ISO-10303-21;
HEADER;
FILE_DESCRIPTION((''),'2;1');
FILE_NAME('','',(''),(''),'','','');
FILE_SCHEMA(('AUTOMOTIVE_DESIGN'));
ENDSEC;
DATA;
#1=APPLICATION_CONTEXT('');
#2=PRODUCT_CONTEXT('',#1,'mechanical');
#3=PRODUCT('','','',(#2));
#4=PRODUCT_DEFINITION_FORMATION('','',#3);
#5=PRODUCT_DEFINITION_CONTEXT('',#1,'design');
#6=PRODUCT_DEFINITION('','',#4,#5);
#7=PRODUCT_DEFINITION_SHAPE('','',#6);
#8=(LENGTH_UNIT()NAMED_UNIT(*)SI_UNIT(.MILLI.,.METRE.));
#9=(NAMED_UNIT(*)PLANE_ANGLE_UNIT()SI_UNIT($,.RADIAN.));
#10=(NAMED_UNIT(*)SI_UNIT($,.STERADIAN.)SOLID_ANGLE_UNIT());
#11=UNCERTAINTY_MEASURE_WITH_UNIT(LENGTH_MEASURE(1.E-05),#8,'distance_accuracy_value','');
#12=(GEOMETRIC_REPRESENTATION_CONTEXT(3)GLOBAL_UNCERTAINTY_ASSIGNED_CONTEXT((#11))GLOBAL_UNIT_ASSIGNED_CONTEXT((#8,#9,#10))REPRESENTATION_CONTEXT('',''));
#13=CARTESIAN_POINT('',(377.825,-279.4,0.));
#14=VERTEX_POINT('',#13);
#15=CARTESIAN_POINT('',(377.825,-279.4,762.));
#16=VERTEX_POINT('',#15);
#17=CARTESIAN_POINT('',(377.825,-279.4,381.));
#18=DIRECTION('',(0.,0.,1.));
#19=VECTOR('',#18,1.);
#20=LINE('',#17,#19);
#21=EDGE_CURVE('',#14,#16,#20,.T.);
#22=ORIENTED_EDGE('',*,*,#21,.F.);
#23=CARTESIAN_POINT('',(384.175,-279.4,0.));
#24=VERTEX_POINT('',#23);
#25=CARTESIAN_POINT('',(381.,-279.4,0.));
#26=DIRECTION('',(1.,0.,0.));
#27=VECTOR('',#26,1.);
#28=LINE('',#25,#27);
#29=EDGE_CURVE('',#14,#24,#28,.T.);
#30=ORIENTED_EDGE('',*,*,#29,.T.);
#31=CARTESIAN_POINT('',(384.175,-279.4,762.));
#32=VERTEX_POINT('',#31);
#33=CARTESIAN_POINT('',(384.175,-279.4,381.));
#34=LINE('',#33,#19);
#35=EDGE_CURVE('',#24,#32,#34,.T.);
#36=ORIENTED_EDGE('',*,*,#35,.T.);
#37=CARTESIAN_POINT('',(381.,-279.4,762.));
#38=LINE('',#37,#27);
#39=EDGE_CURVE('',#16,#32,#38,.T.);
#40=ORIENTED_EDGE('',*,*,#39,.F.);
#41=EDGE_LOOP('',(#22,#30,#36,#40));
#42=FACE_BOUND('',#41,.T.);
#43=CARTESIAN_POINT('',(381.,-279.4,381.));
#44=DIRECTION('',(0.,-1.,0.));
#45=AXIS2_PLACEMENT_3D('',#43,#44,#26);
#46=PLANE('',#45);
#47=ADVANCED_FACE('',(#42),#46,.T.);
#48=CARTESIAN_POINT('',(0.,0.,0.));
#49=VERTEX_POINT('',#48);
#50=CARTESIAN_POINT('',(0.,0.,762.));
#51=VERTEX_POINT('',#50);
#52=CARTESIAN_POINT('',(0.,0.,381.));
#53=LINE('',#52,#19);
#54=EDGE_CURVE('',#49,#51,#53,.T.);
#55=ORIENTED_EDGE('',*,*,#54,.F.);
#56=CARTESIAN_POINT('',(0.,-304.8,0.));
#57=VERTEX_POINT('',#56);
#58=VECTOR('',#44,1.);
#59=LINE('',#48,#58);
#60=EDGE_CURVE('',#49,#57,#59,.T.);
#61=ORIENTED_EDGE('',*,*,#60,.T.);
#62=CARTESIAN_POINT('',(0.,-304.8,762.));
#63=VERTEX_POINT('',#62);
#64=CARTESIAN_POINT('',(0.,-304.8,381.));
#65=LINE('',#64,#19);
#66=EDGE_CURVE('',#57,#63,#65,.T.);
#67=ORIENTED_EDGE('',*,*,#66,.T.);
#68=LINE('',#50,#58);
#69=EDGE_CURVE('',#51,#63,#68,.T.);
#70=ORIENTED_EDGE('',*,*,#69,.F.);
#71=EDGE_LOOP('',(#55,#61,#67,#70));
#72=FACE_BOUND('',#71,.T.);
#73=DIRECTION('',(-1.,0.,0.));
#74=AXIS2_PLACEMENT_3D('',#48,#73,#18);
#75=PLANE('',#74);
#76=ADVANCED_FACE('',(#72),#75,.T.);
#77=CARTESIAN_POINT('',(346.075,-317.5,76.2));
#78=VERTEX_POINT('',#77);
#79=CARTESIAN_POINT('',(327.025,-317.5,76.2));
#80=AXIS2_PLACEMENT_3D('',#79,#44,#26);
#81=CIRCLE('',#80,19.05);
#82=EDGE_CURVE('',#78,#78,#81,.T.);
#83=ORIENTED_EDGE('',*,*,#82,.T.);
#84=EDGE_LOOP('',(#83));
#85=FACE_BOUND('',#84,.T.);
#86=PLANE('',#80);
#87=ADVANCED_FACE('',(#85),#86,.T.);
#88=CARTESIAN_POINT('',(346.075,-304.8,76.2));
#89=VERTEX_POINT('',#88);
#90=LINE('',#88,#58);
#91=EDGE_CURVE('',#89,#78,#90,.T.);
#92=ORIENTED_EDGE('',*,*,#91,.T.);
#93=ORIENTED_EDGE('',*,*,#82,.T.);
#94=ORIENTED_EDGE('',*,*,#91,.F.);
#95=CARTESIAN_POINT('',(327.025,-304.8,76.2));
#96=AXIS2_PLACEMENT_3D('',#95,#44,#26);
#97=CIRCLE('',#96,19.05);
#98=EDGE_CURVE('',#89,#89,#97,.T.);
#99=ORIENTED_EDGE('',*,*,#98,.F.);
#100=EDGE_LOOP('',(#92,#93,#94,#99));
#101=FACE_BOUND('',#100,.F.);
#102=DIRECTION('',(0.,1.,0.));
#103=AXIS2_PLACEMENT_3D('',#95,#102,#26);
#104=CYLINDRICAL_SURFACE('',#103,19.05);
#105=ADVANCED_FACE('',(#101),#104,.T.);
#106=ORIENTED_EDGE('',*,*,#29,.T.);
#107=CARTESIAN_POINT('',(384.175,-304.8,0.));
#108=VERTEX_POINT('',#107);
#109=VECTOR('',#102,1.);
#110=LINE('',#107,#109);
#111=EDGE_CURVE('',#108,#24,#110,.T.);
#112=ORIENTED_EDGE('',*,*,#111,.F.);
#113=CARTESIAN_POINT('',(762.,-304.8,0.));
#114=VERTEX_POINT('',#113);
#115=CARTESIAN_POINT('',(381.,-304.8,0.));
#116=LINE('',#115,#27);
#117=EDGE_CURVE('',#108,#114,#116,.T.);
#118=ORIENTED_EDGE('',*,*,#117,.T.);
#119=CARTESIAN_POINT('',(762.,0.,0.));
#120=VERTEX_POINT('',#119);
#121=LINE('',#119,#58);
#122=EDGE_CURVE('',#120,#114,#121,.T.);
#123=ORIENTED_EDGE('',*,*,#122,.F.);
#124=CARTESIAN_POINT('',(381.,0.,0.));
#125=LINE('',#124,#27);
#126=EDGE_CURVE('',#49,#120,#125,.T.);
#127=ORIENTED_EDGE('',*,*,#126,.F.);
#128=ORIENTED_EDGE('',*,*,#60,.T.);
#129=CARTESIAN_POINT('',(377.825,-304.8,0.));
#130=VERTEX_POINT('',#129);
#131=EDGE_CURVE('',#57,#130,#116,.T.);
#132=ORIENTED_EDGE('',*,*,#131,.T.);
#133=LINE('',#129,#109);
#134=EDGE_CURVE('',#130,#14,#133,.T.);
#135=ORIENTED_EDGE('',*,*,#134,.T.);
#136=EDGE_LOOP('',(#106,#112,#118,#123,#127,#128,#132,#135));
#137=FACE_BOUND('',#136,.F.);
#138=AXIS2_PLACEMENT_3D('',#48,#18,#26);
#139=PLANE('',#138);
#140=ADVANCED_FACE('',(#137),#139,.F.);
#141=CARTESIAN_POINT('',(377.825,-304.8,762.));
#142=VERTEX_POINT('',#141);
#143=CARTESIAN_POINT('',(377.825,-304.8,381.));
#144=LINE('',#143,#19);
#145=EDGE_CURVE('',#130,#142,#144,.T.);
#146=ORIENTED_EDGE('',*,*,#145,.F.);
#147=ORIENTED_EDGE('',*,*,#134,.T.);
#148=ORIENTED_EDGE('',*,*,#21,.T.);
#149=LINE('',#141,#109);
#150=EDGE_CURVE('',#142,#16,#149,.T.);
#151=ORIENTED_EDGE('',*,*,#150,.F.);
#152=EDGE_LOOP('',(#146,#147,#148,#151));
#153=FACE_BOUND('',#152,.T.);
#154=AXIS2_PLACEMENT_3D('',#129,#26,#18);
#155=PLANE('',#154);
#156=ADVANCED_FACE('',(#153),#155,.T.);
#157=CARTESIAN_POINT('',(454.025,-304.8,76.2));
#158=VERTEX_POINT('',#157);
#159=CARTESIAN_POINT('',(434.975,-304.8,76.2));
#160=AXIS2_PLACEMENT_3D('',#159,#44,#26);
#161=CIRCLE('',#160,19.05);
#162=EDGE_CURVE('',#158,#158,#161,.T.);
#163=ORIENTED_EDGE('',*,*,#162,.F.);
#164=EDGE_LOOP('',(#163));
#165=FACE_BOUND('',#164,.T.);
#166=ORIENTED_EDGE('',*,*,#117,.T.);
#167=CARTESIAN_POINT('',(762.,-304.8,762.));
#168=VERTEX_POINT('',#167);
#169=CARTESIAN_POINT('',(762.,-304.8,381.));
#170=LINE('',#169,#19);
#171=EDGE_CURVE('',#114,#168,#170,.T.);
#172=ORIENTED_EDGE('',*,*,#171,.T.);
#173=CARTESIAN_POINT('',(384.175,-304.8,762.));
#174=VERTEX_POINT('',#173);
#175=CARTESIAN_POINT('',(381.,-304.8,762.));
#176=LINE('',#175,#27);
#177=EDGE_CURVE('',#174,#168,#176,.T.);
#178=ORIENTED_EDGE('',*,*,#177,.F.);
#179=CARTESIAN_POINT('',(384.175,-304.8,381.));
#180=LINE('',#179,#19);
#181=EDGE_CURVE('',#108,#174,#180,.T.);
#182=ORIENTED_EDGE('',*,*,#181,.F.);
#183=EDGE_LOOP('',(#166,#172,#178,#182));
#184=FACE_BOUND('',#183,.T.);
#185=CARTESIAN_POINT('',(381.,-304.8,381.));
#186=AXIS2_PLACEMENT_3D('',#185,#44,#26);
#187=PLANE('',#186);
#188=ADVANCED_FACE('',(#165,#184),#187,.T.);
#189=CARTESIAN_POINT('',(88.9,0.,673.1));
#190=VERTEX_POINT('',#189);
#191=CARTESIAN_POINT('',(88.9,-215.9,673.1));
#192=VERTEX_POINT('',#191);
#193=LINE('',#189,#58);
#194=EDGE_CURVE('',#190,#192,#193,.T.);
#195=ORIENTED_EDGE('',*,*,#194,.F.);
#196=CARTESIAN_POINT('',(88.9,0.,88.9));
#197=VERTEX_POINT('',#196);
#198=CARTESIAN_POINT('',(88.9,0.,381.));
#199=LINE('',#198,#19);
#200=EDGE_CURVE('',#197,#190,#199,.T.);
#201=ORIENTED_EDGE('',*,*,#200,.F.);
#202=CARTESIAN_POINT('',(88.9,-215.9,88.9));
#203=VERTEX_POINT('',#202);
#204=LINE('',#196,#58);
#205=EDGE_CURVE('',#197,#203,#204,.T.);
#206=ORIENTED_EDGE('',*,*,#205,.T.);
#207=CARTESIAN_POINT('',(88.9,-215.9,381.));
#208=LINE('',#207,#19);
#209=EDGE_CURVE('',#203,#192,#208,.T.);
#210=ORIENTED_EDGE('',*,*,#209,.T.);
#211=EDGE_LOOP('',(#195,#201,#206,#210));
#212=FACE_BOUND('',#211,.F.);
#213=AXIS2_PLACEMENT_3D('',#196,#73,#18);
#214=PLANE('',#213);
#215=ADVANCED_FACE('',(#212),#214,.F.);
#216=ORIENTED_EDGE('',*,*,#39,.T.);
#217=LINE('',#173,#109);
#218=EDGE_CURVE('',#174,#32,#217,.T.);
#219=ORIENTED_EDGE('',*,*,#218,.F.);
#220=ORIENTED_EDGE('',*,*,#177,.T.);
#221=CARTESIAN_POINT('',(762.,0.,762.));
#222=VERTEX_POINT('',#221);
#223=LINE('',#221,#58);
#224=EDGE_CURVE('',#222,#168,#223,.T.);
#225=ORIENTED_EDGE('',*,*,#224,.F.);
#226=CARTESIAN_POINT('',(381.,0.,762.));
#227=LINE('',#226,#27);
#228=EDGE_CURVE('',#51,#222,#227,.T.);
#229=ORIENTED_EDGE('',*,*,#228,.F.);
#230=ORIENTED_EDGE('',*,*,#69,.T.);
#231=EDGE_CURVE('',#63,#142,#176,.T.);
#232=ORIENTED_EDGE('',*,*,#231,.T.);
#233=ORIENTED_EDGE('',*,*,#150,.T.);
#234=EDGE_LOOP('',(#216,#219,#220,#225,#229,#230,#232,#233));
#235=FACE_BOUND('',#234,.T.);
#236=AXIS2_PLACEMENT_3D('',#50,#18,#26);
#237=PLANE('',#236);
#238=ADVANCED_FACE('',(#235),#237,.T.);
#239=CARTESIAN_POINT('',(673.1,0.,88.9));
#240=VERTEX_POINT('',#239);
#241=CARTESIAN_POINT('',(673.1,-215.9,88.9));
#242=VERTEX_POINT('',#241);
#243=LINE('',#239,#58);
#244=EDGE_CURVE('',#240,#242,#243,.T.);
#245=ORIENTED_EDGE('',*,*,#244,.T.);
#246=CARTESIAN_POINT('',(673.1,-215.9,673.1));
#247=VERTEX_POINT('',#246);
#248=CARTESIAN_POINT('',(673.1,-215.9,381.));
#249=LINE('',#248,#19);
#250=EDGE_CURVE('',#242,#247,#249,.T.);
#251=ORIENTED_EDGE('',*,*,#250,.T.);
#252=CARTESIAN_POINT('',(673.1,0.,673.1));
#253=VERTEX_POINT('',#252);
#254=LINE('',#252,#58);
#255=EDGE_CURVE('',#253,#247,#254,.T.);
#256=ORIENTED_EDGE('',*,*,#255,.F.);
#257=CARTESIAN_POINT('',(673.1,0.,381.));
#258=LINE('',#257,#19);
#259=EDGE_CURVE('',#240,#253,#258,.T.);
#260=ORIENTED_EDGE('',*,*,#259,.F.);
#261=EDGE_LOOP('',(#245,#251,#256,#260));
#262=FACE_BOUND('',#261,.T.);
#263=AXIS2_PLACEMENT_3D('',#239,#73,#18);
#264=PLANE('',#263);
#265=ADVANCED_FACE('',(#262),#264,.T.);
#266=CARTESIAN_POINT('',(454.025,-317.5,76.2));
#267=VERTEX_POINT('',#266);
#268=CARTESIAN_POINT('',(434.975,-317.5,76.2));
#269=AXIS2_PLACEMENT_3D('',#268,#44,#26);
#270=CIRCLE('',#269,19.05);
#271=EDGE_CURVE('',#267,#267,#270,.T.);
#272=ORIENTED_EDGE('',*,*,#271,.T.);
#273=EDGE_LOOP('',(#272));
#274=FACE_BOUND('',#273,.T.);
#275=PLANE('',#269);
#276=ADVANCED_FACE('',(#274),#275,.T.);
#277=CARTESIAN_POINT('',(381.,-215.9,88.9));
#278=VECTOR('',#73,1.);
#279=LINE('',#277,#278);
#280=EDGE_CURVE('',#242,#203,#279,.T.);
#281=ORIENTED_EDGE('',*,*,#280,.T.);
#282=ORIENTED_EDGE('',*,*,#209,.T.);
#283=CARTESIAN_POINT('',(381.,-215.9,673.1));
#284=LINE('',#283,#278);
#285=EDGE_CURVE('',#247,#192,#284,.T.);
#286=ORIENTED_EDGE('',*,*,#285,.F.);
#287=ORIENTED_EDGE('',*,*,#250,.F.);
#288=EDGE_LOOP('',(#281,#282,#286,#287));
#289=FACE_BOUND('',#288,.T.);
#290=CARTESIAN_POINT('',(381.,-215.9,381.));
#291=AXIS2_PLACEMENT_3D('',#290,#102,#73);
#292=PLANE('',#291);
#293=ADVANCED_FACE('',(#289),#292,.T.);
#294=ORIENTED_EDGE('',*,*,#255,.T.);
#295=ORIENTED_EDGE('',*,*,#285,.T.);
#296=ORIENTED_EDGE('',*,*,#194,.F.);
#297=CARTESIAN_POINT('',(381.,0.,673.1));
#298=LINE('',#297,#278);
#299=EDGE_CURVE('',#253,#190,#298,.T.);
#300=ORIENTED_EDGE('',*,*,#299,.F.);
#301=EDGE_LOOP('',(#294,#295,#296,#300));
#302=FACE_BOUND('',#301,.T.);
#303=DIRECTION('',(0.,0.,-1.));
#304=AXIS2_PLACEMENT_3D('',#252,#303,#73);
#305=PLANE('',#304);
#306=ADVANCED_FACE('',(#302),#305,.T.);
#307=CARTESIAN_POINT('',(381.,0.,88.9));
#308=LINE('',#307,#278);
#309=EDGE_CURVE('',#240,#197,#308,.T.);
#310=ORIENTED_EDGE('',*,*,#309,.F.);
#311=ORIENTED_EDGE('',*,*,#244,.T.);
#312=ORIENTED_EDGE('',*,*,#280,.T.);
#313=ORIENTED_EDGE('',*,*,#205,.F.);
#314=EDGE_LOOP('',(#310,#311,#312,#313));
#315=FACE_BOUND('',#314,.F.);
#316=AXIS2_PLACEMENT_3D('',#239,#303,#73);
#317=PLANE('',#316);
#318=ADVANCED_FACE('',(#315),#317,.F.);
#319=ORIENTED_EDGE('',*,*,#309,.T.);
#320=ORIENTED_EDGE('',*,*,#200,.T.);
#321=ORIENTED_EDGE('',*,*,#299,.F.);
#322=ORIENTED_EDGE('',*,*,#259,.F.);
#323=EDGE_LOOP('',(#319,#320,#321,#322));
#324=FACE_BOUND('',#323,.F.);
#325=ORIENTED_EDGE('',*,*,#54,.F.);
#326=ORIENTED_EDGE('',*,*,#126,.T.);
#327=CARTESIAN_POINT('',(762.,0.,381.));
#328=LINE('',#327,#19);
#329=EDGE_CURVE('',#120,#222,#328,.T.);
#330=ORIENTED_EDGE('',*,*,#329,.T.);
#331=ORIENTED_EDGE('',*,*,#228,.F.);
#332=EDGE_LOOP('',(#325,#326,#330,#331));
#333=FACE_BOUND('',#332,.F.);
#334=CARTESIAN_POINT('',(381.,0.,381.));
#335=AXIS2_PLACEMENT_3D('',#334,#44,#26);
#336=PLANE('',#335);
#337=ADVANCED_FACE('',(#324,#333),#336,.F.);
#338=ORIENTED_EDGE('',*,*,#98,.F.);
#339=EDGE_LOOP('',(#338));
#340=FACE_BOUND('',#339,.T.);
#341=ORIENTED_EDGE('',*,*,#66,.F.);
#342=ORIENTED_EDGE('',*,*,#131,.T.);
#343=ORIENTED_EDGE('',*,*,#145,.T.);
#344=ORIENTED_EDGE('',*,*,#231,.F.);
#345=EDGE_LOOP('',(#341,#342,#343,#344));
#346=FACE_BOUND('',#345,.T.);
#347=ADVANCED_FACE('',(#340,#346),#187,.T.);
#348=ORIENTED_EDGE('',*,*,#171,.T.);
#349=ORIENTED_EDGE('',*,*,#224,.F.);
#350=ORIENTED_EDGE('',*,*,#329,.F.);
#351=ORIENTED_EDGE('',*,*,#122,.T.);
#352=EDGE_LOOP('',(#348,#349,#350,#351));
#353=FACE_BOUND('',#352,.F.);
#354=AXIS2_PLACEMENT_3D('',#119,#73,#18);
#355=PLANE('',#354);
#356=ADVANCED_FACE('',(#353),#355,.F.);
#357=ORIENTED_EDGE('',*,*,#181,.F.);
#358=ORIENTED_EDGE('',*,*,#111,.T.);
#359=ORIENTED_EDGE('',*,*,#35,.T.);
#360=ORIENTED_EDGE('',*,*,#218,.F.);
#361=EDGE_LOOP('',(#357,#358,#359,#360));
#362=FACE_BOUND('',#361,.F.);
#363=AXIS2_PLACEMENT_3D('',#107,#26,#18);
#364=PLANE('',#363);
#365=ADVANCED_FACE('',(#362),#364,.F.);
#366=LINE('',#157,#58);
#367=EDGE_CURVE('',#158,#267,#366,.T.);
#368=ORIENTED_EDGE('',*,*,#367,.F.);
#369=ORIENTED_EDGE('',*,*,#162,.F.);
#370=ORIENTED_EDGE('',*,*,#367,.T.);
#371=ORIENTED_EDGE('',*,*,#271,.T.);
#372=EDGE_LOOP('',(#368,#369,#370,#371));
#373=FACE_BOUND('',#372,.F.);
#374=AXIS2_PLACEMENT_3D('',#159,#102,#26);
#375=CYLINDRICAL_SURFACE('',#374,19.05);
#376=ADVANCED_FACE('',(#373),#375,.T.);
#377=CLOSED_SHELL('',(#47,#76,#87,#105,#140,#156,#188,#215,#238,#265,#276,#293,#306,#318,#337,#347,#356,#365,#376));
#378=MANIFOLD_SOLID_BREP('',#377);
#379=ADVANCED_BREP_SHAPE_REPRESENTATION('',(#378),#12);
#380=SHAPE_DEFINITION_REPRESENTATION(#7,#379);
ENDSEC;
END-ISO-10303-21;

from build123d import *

# Parameters (mm, degrees)
F0_W     = 762
F0_H     = 762
F1_DEPTH = 304.8
F2_W     = 6.35
F2_H     = 762
F3_DEPTH = 25.4
F4_R     = 19.05
F5_DEPTH = 12.7
F6_W     = 584.2
F6_H     = 584.2
F7_DEPTH = 215.9


with BuildPart() as f1:
    # F0 (on Front) → F1 (new body)
    with BuildSketch(Plane.XZ):
        with Locations((381, 381)):
            Rectangle(F0_W, F0_H)
    extrude(amount=F1_DEPTH)

    # F2 (on face) → F3 (cut)
    with BuildSketch(Plane.XZ.offset(304.8)):
        with Locations((381, 381)):
            Rectangle(F2_W, F2_H)
    extrude(amount=-F3_DEPTH, mode=Mode.SUBTRACT)

    # F4 (on face) → F5 (join)
    with BuildSketch(Plane.XZ.offset(304.8)):
        with Locations((327.025, 76.2)):
            Circle(F4_R)
        with Locations((434.975, 76.2)):
            Circle(F4_R)
    extrude(amount=F5_DEPTH)

    # F6 (on face) → F7 (cut)
    with BuildSketch(Plane(origin=(0, 0, 0), x_dir=(-1, 0, 0), z_dir=(0, 1, 0))):
        with Locations((-381, 381)):
            Rectangle(F6_W, F6_H)
    extrude(amount=-F7_DEPTH, mode=Mode.SUBTRACT)


solid = f1.part
